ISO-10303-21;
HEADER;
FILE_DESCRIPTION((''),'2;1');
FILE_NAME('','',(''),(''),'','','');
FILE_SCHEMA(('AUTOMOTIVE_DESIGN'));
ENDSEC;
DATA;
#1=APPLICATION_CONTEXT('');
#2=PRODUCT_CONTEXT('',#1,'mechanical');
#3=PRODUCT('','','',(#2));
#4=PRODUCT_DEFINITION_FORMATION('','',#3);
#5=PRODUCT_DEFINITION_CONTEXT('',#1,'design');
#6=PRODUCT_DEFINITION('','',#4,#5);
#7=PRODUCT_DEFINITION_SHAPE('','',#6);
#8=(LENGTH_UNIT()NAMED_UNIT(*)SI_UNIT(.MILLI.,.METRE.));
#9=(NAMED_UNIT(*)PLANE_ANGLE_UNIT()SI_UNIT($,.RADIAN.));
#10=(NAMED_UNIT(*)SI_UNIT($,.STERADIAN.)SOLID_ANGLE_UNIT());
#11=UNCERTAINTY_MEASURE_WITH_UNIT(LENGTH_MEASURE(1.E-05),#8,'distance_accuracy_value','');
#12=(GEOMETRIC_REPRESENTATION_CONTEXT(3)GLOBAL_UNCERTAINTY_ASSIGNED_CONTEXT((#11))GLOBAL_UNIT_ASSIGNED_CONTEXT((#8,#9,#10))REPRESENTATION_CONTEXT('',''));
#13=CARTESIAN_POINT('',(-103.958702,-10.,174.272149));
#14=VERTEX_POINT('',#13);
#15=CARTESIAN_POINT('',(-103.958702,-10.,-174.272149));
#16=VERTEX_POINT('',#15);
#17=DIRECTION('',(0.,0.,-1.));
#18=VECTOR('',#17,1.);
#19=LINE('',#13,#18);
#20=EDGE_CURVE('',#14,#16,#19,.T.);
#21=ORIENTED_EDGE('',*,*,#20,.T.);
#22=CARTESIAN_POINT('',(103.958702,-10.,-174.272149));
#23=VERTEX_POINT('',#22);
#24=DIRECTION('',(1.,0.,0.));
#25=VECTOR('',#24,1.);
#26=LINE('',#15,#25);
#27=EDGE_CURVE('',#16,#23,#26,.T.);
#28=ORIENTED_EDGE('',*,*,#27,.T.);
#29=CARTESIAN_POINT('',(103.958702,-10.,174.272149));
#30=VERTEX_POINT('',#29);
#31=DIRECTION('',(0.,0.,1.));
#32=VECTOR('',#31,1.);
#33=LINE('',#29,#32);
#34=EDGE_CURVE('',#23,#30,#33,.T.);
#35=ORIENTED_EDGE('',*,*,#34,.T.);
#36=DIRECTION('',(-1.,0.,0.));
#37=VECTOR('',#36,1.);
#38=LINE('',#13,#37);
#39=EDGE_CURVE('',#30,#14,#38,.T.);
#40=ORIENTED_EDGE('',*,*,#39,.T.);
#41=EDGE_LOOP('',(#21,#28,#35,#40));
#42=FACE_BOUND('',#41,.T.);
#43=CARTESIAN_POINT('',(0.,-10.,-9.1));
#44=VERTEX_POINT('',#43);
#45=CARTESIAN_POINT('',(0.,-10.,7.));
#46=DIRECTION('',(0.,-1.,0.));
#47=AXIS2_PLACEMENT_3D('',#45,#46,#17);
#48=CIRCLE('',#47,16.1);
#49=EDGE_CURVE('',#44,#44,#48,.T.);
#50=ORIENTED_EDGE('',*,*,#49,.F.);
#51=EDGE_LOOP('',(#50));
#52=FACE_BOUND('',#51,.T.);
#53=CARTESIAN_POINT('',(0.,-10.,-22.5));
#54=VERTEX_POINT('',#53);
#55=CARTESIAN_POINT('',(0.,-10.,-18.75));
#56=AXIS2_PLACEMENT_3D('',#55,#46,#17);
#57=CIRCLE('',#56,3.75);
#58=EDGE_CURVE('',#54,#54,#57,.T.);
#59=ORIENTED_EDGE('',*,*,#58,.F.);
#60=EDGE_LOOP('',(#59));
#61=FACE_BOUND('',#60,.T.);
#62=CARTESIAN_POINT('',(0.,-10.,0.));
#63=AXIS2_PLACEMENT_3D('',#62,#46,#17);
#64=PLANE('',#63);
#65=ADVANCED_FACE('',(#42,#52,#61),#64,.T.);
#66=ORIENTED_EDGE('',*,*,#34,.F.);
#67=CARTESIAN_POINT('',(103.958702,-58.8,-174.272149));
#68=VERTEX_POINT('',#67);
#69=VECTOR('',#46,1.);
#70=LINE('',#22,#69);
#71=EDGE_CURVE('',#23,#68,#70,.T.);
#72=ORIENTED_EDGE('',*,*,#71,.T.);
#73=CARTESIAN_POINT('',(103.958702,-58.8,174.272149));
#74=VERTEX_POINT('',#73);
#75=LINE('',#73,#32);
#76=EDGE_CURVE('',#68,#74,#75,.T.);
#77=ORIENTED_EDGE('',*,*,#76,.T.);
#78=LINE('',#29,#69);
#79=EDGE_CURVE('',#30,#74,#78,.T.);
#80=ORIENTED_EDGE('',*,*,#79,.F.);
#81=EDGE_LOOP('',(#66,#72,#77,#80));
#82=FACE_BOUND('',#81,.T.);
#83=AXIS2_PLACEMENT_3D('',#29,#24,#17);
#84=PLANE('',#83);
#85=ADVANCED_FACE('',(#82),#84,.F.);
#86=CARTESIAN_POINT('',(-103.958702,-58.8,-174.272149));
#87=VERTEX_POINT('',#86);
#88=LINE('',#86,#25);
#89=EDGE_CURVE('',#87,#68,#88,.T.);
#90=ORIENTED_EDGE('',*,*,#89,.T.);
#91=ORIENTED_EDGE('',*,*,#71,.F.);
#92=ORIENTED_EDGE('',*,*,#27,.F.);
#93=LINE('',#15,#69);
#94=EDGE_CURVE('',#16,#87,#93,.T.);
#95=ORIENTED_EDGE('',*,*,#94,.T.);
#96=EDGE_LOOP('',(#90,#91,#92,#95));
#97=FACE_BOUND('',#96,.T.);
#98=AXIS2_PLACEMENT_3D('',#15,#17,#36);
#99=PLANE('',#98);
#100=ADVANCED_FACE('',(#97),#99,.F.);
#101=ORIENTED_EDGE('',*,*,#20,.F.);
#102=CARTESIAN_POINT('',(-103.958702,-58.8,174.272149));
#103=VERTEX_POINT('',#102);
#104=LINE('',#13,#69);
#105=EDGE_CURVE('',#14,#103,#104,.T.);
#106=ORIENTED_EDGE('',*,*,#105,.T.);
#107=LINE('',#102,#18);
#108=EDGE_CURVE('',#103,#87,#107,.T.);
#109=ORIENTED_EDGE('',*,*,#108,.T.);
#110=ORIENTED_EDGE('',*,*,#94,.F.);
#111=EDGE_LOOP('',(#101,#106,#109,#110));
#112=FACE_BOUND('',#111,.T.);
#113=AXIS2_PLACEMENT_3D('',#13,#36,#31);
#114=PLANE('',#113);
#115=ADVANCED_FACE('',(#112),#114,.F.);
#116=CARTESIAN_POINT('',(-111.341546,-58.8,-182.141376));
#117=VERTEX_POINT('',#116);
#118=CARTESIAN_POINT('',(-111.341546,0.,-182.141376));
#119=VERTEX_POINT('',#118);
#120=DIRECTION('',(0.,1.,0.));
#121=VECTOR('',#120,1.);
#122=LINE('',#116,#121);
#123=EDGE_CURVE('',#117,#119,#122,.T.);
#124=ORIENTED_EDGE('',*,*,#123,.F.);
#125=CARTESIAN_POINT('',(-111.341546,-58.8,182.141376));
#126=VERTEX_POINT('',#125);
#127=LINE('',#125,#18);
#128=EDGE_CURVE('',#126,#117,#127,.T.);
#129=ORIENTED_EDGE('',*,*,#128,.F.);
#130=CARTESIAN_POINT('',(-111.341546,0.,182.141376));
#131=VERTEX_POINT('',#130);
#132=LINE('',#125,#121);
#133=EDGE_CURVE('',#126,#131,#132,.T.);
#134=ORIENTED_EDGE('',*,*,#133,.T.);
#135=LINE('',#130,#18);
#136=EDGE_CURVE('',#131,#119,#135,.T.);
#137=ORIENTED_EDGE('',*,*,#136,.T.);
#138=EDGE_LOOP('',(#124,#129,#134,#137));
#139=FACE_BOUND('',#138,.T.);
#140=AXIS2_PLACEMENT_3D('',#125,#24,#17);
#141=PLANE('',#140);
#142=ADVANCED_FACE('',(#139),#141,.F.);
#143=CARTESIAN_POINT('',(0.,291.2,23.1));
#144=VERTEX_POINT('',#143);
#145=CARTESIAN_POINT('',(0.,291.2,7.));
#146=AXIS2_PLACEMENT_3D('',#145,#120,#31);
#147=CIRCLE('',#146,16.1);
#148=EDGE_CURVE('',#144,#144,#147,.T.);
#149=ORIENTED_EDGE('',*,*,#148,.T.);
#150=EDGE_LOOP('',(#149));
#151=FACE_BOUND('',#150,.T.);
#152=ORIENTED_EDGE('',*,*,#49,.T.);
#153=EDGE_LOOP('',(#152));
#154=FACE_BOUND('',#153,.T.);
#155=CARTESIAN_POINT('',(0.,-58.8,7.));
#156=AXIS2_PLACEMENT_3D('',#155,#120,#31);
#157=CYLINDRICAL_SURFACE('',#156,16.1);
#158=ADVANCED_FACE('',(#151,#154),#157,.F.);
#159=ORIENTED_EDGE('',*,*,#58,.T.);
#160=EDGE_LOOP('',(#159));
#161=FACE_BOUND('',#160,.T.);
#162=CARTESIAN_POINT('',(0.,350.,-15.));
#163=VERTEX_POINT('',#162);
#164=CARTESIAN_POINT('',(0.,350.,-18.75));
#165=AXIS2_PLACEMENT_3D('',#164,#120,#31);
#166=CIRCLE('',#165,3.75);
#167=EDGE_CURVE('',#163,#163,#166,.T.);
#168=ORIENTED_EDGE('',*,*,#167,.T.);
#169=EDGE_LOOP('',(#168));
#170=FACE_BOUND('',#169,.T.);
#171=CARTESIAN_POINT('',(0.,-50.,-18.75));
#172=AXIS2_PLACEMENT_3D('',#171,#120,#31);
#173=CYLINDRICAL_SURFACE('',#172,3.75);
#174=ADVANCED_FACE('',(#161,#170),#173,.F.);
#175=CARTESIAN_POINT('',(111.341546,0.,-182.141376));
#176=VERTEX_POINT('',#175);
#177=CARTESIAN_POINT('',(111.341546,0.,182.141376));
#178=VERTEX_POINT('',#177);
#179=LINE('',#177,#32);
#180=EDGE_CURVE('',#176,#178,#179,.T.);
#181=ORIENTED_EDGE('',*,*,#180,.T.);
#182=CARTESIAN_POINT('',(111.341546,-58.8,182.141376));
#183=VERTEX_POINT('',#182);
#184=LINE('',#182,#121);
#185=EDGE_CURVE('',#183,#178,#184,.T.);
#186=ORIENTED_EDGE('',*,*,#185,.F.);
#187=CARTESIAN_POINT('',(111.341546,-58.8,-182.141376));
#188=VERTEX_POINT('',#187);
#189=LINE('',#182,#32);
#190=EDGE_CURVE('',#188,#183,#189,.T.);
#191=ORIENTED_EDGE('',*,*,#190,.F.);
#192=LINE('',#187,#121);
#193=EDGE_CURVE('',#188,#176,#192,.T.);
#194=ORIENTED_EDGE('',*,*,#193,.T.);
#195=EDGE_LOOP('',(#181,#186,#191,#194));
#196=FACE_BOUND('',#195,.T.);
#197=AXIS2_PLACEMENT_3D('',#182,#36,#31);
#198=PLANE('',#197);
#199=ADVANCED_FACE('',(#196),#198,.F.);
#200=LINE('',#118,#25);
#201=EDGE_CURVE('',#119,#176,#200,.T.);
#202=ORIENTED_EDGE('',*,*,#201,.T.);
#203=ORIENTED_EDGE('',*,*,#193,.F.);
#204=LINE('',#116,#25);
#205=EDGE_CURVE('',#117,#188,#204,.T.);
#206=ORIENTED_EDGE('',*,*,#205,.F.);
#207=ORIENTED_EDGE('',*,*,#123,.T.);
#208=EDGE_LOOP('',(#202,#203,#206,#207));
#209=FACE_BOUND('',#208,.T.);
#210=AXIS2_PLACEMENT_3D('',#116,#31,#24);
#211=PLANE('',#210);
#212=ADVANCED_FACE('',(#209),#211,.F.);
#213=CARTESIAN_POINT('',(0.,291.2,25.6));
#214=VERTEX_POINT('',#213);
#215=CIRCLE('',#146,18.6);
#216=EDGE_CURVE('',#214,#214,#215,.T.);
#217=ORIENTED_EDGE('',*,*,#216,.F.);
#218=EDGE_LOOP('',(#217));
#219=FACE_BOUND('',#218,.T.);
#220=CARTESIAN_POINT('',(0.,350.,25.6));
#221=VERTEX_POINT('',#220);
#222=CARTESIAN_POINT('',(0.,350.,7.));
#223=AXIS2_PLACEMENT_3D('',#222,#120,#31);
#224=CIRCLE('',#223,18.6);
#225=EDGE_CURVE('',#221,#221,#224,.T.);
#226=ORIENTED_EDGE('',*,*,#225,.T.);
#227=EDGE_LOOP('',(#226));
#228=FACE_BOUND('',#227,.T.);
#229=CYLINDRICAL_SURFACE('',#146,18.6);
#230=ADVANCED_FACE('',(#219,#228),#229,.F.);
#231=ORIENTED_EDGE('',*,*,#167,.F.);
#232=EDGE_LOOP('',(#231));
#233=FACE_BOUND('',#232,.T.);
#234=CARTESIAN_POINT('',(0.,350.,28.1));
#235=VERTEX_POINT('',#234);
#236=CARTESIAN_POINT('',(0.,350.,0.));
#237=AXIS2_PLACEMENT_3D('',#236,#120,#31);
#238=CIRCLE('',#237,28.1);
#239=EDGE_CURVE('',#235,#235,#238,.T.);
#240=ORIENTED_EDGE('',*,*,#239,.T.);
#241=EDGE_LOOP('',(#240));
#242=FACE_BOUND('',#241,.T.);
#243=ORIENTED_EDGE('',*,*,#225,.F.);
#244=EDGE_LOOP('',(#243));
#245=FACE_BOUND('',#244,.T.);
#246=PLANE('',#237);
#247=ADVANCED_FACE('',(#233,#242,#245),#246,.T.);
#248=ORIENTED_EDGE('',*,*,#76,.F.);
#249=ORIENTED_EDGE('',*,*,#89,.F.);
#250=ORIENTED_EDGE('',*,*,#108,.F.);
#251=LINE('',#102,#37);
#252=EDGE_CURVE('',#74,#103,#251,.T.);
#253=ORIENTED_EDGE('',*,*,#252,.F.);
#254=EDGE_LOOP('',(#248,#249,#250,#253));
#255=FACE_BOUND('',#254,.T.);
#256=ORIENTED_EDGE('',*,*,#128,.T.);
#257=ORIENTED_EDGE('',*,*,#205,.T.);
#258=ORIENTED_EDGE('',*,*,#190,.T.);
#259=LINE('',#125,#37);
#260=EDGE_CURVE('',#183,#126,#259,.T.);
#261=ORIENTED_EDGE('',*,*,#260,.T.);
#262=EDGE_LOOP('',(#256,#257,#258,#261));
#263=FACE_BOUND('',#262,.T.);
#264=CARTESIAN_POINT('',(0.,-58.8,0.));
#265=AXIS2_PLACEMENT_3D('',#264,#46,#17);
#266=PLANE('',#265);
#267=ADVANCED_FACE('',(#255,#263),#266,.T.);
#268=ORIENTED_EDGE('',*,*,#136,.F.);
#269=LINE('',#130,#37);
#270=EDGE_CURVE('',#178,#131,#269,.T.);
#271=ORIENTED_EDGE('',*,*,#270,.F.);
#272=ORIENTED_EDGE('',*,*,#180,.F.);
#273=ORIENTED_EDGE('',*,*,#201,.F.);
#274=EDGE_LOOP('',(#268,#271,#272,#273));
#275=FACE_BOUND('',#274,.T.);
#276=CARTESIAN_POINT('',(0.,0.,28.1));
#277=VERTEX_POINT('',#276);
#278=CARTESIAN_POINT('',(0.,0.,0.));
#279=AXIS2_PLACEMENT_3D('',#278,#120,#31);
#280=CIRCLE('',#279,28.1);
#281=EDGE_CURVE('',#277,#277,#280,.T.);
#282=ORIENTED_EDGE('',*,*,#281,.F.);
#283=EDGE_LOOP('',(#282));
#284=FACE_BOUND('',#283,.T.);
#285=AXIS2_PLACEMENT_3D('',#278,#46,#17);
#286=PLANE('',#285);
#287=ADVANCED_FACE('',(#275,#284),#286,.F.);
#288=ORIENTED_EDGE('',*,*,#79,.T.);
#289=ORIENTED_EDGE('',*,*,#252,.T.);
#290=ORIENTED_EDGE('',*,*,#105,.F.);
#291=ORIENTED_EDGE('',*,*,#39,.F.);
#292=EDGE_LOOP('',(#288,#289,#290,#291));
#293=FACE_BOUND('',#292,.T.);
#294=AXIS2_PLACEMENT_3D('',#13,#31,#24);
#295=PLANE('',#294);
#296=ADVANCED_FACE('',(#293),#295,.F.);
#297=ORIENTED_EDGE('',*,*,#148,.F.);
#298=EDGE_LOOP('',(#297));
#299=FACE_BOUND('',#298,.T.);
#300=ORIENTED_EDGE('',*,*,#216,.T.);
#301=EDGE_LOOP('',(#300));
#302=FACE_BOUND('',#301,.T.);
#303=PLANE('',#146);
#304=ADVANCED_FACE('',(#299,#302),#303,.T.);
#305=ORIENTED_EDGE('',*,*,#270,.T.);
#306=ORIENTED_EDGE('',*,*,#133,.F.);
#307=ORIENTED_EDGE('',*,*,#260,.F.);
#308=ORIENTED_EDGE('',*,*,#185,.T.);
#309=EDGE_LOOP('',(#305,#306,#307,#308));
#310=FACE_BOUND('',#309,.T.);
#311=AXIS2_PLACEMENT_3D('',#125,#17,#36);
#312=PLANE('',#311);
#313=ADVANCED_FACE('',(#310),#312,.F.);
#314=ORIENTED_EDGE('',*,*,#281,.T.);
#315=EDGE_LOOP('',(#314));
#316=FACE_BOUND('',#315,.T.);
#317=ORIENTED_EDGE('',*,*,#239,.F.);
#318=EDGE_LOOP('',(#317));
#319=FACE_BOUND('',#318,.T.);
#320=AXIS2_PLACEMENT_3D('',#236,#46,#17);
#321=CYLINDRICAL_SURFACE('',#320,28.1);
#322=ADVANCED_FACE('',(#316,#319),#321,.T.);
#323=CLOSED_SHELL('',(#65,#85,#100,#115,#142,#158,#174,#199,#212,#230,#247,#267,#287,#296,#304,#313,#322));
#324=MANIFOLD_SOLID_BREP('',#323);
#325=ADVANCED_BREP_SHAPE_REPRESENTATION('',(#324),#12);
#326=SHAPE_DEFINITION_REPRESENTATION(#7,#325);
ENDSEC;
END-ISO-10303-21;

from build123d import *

# Parameters (mm, degrees)
SKETCH1_R           = 28.1
BOSS_EXTRUDE1_DEPTH = 350
SKETCH2_R           = 18.6
CUT_EXTRUDE1_DEPTH  = 58.8
SKETCH3_W           = 222.683092022
SKETCH3_H           = 364.2827524
BOSS_EXTRUDE2_DEPTH = 58.8
SKETCH4_W           = 207.917403516
SKETCH4_H           = 348.54429772
CUT_EXTRUDE2_DEPTH  = 48.8
SKETCH5_R           = 16.1
CUT_EXTRUDE3_DEPTH  = 350
SKETCH6_R           = 3.75
CUT_EXTRUDE5_DEPTH  = 400


with BuildPart() as part:
    # Sketch1 → Boss-Extrude1 (new body)
    with BuildSketch(Plane(origin=(0, 0, 0), x_dir=(1, 0, 0), z_dir=(0, 1, 0))):
        Circle(SKETCH1_R)
    extrude(amount=BOSS_EXTRUDE1_DEPTH)

    # Sketch2 → Cut-Extrude1 (cut)
    with BuildSketch(Plane(origin=(0, 350, 0), x_dir=(1, 0, 0), z_dir=(0, 1, 0))):
        with Locations((0, -7)):
            Circle(SKETCH2_R)
    extrude(amount=-CUT_EXTRUDE1_DEPTH, mode=Mode.SUBTRACT)

    # Sketch3 → Boss-Extrude2 (add)
    with BuildSketch(Plane(origin=(0, 0, 0), x_dir=(-1, 0, 0), z_dir=(0, -1, 0))):
        Rectangle(SKETCH3_W, SKETCH3_H)
    extrude(amount=BOSS_EXTRUDE2_DEPTH)

    # Sketch4 → Cut-Extrude2 (cut)
    with BuildSketch(Plane(origin=(0, -58.8, 0), x_dir=(-1, 0, 0), z_dir=(0, -1, 0))):
        Rectangle(SKETCH4_W, SKETCH4_H)
    extrude(amount=-CUT_EXTRUDE2_DEPTH, mode=Mode.SUBTRACT)

    # Sketch5 → Cut-Extrude3 (cut)
    with BuildSketch(Plane(origin=(0, 291.2, 0), x_dir=(1, 0, 0), z_dir=(0, 1, 0))):
        with Locations((0, -7)):
            Circle(SKETCH5_R)
    extrude(amount=-CUT_EXTRUDE3_DEPTH, mode=Mode.SUBTRACT)

    # Sketch6 → Cut-Extrude5 (cut)
    with BuildSketch(Plane(origin=(0, 350, 0), x_dir=(1, 0, 0), z_dir=(0, 1, 0))):
        with Locations((0, 18.75)):
            Circle(SKETCH6_R)
    extrude(amount=-CUT_EXTRUDE5_DEPTH, mode=Mode.SUBTRACT)


solid = part.part
